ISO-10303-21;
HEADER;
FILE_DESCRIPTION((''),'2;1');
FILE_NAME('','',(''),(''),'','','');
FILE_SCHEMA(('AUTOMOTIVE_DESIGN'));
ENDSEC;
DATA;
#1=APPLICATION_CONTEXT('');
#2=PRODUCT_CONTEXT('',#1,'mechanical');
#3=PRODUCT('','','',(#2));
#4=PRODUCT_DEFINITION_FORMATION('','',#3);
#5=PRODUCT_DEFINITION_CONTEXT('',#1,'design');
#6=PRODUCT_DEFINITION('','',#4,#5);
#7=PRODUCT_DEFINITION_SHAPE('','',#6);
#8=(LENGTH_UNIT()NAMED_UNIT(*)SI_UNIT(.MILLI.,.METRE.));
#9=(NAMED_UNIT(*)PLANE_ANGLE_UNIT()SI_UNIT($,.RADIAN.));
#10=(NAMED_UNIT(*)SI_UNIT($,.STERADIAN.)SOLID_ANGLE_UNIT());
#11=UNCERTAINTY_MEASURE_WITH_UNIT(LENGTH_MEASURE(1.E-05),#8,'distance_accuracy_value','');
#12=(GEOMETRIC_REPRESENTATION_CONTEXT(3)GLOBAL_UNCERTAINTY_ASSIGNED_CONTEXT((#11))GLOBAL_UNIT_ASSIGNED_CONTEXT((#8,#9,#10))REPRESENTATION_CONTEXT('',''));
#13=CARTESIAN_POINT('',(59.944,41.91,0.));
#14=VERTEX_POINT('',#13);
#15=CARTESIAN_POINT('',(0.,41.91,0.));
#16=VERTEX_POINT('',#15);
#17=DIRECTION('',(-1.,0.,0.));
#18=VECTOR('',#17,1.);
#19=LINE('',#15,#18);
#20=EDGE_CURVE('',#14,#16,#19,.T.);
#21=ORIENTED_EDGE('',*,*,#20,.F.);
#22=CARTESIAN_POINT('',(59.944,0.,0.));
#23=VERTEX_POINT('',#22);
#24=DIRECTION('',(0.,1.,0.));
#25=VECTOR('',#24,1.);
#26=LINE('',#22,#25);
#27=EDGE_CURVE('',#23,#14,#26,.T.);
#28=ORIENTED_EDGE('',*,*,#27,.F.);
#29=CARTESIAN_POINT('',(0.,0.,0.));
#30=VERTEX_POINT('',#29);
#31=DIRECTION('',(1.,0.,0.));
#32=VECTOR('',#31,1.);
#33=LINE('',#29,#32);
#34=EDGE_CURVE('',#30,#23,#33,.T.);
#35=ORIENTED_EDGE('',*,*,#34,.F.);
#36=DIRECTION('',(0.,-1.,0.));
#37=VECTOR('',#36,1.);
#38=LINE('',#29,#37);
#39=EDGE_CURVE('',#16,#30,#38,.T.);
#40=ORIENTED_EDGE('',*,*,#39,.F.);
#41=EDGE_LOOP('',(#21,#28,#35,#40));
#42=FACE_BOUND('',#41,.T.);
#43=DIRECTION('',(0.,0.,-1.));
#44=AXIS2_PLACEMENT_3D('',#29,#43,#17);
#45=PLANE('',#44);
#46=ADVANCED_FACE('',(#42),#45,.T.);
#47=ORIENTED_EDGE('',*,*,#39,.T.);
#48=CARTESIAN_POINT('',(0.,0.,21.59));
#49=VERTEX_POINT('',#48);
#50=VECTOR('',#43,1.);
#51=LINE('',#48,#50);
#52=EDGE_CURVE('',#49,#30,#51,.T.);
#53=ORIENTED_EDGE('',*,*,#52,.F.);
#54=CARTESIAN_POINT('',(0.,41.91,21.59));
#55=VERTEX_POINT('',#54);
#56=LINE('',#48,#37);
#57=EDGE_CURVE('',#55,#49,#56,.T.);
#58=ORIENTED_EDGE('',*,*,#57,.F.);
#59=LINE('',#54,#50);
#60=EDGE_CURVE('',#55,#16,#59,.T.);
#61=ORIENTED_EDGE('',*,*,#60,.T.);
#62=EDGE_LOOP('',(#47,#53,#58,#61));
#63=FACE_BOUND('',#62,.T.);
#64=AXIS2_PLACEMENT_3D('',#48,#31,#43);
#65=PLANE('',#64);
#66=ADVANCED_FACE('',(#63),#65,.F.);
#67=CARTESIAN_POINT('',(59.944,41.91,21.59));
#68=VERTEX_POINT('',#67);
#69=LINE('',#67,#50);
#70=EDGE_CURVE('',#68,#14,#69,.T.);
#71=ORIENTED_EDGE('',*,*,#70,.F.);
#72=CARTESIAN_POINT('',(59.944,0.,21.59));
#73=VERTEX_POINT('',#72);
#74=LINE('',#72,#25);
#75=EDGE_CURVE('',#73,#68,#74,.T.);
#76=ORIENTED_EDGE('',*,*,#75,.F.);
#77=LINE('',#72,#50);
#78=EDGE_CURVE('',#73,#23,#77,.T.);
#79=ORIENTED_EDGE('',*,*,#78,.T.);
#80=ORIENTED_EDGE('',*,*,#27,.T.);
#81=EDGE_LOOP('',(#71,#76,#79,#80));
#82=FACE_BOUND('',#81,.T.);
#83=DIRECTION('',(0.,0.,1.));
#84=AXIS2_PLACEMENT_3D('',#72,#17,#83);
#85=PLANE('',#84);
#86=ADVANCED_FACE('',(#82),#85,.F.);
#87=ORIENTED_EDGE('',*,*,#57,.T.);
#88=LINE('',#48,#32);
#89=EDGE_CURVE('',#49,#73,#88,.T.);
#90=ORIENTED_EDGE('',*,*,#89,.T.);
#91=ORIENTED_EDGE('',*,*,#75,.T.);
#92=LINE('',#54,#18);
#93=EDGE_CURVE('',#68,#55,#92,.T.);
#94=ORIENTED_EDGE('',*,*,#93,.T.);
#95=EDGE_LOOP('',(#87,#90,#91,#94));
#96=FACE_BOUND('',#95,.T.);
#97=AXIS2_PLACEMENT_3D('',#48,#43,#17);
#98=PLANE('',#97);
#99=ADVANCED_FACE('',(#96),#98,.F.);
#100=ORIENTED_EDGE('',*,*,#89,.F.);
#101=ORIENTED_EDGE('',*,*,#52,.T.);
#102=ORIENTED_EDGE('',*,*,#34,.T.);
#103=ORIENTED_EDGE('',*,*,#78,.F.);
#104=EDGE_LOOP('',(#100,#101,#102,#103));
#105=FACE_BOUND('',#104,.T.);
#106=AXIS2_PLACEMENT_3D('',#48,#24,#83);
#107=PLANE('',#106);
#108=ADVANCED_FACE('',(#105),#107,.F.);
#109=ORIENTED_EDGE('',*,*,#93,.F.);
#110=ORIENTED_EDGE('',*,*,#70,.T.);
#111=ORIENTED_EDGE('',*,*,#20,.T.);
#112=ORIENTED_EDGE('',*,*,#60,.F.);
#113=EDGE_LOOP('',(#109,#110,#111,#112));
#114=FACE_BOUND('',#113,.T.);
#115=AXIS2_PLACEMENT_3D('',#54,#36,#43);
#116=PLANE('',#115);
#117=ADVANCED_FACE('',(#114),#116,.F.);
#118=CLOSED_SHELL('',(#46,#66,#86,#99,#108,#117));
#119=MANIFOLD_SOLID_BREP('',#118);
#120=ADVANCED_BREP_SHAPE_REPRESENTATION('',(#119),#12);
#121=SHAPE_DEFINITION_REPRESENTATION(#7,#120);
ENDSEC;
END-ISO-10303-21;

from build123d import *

# Parameters (mm, degrees)
SKETCH1_W           = 59.944
SKETCH1_H           = 41.91
BOSS_EXTRUDE1_DEPTH = 21.59


with BuildPart() as part:
    # Sketch1 → Boss-Extrude1 (new body)
    with BuildSketch(Plane.XY):
        with Locations((29.972, 20.955)):
            Rectangle(SKETCH1_W, SKETCH1_H)
    extrude(amount=BOSS_EXTRUDE1_DEPTH)


solid = part.part
